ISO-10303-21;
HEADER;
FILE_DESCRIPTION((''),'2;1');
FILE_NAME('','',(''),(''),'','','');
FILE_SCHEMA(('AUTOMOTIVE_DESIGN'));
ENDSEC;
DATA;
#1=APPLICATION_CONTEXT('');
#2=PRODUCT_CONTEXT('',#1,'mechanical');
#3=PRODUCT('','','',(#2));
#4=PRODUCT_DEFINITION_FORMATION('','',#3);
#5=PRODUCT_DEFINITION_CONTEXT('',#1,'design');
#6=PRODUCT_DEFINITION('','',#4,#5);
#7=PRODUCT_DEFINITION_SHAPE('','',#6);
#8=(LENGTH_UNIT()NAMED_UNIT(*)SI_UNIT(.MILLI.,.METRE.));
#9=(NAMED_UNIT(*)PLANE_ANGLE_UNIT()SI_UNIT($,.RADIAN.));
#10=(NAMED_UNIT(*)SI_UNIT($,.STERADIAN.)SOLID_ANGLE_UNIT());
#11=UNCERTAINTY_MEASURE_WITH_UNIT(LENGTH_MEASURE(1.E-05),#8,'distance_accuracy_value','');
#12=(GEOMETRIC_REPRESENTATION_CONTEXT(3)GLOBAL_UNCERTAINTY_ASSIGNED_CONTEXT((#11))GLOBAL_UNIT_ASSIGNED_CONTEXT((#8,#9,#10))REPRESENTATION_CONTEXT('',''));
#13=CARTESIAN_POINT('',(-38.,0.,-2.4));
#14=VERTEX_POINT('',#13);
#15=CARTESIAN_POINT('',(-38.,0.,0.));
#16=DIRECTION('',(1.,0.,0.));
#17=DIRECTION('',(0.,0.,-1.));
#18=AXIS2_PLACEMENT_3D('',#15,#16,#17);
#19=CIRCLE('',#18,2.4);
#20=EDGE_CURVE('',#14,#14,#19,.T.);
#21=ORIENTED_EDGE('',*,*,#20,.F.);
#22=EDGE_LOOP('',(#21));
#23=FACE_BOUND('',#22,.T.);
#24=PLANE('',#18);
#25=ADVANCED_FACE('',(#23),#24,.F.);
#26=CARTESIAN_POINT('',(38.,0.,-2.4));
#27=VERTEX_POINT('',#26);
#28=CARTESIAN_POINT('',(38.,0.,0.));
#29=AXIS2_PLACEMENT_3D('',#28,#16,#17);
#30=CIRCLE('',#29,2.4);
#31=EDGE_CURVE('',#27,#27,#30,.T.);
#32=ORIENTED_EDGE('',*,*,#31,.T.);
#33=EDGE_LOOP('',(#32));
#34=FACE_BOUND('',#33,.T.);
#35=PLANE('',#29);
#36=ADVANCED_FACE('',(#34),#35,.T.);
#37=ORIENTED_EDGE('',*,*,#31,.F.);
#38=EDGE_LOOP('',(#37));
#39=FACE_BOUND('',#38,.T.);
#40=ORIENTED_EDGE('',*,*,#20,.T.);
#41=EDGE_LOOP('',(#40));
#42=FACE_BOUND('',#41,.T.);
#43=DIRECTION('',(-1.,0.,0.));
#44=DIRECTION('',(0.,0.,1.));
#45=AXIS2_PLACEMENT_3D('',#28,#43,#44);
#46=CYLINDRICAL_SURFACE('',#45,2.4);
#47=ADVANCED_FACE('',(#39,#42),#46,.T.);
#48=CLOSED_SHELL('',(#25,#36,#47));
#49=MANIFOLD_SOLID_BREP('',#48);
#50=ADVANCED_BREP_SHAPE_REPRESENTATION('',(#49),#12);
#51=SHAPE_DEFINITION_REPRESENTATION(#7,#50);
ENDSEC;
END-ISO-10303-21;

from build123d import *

# Parameters (mm, degrees)
SKETCH1_R           = 2.4
BOSS_EXTRUDE1_DEPTH = 38


with BuildPart() as part:
    # Sketch1 → Boss-Extrude1 (new, symmetric)
    with BuildSketch(Plane(origin=(0, 0, 0), x_dir=(0, 0, -1), z_dir=(1, 0, 0))):
        Circle(SKETCH1_R)
    extrude(amount=BOSS_EXTRUDE1_DEPTH, both=True)


solid = part.part
